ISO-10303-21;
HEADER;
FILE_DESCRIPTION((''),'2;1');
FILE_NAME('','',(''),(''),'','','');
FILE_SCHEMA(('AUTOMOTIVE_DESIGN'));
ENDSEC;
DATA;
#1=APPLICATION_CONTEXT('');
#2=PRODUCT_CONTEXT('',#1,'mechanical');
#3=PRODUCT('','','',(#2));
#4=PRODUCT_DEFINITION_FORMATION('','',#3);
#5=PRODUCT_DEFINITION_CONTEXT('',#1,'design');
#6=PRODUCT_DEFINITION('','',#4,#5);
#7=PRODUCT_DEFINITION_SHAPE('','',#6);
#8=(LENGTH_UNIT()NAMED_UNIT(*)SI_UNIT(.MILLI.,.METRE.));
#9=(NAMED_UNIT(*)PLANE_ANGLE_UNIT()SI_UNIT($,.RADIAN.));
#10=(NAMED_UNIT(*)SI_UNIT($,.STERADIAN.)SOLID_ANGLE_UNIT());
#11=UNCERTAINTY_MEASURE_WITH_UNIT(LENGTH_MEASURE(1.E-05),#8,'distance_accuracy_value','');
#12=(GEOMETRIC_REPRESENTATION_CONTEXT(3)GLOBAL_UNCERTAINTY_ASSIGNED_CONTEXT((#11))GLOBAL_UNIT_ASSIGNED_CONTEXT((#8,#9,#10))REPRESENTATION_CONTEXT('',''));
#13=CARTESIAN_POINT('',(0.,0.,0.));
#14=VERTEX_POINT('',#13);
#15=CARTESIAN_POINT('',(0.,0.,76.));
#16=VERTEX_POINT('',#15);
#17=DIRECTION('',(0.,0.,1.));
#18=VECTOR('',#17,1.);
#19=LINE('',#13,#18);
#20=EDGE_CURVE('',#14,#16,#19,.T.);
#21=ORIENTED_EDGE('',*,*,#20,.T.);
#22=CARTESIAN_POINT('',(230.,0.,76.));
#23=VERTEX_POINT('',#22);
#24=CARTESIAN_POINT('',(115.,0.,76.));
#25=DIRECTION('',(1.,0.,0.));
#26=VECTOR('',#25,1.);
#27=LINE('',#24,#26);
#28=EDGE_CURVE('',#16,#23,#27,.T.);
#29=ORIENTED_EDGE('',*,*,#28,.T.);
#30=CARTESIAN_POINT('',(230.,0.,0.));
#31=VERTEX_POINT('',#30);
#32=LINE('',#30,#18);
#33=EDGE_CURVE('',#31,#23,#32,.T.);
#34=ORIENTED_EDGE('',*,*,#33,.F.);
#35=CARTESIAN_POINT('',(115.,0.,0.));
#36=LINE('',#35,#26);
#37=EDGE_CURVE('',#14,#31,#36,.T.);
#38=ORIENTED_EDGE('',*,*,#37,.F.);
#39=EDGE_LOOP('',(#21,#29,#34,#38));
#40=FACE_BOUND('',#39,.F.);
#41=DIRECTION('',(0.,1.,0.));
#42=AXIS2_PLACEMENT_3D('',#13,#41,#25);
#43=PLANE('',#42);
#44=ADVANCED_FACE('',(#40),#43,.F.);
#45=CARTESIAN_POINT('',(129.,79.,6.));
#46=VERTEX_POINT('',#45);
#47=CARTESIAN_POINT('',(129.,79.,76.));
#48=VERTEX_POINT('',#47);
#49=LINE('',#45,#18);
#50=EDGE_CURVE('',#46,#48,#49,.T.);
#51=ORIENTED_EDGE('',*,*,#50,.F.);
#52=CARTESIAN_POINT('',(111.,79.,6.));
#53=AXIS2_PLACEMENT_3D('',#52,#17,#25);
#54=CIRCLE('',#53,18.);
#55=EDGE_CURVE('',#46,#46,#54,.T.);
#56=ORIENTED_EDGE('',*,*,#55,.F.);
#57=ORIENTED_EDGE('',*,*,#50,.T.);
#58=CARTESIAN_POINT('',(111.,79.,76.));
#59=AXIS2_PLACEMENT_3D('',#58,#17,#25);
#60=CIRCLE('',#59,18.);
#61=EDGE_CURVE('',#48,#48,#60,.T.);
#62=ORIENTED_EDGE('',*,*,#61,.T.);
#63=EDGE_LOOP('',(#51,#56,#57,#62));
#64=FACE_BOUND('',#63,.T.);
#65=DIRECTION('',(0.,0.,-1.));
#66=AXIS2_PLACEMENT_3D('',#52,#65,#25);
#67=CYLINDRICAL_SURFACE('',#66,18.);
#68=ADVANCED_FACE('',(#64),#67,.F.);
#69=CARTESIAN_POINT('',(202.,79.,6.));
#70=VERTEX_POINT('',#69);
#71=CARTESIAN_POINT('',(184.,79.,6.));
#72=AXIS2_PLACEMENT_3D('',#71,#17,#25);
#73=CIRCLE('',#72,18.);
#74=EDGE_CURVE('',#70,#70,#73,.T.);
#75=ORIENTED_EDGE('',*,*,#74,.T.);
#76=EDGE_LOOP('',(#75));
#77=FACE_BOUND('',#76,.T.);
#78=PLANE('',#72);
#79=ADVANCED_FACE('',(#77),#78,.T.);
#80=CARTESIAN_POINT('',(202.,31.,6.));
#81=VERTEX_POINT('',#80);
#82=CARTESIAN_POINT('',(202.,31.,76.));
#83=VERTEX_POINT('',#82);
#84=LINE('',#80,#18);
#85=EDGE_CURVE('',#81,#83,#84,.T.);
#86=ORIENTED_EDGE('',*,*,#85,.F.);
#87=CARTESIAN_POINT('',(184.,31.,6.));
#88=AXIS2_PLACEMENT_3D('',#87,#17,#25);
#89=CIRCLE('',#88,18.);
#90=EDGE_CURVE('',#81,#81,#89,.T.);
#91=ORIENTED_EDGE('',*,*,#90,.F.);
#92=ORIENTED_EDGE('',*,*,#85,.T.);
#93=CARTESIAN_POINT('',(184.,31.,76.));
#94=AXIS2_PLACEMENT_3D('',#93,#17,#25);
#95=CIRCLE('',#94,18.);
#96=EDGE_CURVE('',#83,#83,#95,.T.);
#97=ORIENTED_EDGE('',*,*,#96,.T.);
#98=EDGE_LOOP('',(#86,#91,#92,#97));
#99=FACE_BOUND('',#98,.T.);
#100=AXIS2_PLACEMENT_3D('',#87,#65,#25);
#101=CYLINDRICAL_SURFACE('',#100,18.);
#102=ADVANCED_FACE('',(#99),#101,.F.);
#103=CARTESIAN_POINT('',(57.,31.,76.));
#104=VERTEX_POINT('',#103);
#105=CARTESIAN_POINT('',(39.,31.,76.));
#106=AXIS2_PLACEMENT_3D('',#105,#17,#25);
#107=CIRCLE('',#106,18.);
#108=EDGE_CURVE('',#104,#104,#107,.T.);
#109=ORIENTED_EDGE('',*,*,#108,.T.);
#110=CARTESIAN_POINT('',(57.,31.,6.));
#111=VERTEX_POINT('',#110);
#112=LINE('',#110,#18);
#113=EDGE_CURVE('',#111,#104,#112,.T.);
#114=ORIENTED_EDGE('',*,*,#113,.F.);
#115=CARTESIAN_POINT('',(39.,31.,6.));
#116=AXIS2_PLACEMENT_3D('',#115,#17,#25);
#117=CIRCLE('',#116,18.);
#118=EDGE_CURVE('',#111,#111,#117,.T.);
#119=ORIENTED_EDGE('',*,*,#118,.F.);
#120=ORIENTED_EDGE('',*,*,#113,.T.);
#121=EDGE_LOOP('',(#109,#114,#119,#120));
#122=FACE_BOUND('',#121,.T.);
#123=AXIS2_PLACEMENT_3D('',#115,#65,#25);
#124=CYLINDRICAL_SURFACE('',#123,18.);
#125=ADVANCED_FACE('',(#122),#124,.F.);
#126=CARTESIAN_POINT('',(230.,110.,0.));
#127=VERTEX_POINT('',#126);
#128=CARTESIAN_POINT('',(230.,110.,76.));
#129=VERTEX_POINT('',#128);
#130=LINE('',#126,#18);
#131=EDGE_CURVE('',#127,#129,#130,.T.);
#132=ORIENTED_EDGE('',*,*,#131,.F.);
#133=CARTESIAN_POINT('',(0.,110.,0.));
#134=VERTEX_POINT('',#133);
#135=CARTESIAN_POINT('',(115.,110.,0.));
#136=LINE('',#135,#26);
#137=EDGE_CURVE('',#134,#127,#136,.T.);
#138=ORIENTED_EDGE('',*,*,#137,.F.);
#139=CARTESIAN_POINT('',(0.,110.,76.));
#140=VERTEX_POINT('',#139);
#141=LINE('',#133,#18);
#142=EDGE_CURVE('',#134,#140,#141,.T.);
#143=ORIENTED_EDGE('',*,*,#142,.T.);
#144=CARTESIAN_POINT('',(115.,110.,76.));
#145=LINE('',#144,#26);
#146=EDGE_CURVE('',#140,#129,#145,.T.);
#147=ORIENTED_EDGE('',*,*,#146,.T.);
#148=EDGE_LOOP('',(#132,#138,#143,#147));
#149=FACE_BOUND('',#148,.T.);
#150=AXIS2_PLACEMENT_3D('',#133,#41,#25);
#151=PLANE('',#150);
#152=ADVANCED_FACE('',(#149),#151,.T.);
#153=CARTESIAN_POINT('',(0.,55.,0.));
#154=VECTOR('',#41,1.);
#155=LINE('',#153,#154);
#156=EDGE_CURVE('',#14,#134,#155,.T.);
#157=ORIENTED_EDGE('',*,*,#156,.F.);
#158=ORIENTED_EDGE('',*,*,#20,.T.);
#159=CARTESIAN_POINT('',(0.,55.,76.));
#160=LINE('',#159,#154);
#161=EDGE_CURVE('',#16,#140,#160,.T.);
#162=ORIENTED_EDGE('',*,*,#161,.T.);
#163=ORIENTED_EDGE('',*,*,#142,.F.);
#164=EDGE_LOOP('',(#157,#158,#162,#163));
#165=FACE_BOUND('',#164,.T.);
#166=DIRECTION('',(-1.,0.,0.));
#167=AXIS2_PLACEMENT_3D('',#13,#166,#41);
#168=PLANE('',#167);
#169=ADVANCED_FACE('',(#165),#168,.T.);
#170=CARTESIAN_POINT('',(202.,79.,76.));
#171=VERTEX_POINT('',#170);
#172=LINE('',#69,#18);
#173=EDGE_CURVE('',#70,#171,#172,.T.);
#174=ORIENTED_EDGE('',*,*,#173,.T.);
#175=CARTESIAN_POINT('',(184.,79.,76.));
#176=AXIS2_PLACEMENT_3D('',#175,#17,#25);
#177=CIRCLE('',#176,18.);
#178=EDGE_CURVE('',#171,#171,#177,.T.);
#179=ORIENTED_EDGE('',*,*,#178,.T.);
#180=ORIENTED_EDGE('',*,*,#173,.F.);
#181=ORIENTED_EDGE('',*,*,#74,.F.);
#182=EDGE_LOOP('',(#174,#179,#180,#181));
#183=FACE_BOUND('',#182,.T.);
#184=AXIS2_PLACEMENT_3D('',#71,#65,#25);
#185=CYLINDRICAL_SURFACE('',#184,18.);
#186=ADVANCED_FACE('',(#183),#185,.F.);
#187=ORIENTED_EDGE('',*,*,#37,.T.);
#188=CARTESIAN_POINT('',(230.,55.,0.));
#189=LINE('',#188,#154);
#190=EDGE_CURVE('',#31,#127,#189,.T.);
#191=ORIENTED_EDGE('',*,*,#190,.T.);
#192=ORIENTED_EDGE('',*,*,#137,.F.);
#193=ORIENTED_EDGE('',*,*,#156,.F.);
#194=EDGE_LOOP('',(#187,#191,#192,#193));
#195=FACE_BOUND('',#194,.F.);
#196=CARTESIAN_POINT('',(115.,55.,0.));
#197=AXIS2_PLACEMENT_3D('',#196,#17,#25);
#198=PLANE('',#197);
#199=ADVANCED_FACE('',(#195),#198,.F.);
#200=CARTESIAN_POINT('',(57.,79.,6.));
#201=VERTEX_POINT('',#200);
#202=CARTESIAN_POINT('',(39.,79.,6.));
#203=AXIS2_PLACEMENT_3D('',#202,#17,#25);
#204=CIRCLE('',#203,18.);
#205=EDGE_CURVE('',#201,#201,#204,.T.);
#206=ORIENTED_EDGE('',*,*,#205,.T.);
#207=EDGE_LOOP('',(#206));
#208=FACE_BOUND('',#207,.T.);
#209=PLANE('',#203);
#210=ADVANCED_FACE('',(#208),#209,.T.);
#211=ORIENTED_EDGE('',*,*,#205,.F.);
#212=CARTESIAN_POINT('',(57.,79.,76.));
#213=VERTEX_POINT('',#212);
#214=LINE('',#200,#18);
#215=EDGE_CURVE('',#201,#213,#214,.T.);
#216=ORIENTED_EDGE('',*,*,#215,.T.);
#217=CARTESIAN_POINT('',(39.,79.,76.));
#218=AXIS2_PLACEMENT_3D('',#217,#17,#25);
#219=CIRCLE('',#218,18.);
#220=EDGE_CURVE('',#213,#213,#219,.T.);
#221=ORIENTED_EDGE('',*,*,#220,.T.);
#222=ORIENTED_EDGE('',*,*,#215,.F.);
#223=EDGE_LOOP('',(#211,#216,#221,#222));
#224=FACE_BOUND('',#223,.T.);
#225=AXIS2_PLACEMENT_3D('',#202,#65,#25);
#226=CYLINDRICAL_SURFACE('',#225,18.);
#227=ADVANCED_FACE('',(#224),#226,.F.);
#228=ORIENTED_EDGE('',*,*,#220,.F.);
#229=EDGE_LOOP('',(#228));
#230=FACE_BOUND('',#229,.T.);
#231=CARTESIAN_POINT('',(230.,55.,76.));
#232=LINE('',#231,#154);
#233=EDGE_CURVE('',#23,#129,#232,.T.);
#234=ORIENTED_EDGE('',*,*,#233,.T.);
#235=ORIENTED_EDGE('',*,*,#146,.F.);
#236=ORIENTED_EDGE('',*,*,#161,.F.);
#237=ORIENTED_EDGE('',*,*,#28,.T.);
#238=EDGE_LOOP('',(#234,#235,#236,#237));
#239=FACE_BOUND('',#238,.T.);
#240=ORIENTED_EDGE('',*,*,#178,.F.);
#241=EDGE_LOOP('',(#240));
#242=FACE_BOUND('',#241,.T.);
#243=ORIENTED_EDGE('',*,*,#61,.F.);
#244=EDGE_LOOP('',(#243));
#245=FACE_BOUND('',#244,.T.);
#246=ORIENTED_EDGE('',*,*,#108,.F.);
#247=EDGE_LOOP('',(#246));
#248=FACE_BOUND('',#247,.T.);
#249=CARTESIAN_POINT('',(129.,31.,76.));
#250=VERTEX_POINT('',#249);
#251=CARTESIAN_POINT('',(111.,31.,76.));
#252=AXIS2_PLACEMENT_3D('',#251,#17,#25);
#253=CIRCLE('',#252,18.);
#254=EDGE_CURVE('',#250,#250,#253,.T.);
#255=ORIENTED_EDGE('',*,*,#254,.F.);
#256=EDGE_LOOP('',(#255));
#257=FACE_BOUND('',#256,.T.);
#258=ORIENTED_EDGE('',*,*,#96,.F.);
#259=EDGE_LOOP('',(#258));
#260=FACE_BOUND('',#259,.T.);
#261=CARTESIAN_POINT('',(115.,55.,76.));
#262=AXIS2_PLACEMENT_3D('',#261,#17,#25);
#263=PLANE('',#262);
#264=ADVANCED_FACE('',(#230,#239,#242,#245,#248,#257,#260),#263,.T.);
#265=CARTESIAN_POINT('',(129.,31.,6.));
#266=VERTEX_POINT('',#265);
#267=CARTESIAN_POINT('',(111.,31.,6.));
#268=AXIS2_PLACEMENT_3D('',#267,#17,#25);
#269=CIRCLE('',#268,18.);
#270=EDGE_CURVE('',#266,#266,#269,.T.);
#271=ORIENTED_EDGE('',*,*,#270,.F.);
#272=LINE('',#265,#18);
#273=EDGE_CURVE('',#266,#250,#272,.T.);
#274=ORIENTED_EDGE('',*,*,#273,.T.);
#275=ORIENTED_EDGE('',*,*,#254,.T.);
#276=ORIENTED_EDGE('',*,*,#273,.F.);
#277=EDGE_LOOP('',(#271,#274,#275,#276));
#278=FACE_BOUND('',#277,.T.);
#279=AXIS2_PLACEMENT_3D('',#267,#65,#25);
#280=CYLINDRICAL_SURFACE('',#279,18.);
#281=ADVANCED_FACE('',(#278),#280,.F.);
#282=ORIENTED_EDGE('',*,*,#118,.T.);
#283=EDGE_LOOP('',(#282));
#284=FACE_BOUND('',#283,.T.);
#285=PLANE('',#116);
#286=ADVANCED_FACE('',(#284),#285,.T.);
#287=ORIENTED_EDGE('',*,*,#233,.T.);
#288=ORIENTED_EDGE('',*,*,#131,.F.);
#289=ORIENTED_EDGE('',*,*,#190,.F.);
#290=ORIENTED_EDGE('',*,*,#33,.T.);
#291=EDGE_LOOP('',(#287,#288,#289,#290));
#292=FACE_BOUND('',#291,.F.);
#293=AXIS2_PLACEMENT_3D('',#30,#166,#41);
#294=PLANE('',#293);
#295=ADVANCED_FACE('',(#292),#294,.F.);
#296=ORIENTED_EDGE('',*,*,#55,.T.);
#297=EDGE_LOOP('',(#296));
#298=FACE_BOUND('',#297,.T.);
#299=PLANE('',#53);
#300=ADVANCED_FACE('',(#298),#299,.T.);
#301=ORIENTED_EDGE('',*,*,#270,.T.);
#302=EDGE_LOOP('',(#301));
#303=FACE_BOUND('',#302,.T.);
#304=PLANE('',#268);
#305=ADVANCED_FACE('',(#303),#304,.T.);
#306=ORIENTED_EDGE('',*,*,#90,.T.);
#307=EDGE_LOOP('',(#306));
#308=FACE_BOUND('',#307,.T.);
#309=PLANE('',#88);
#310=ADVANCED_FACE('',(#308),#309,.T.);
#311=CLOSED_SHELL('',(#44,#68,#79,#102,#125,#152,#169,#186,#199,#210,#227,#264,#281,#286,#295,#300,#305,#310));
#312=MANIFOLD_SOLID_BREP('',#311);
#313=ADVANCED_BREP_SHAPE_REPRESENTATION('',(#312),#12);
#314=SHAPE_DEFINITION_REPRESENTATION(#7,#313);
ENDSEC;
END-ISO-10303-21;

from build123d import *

# Parameters (mm, degrees)
CYLINDER001_R     = 18
CYLINDER001_DEPTH = 70
CYLINDER_R        = 18
CYLINDER_DEPTH    = 70
CYLINDER005_R     = 18
CYLINDER005_DEPTH = 70
CYLINDER004_R     = 18
CYLINDER004_DEPTH = 70
CYLINDER003_R     = 18
CYLINDER003_DEPTH = 70
CYLINDER002_R     = 18
CYLINDER002_DEPTH = 70
BOX_W             = 230
BOX_H             = 110
BOX_DEPTH         = 76


with BuildPart() as cylinder001:
    # Cylinder001 → Cylinder001 (new body)
    with BuildSketch(Plane(origin=(39, 79, 6), x_dir=(1, 0, 0), z_dir=(0, 0, 1))):
        Circle(CYLINDER001_R)
    extrude(amount=CYLINDER001_DEPTH)


with BuildPart() as fusion:
    # Cylinder → Cylinder (new body)
    with BuildSketch(Plane(origin=(39, 31, 6), x_dir=(1, 0, 0), z_dir=(0, 0, 1))):
        Circle(CYLINDER_R)
    extrude(amount=CYLINDER_DEPTH)

    # Fusion: union Cylinder001
    add(cylinder001.part)


with BuildPart() as cylinder005:
    # Cylinder005 → Cylinder005 (new body)
    with BuildSketch(Plane(origin=(39, 79, 6), x_dir=(1, 0, 0), z_dir=(0, 0, 1))):
        Circle(CYLINDER005_R)
    extrude(amount=CYLINDER005_DEPTH)


with BuildPart() as fusion002:
    # Cylinder004 → Cylinder004 (new body)
    with BuildSketch(Plane(origin=(39, 31, 6), x_dir=(1, 0, 0), z_dir=(0, 0, 1))):
        Circle(CYLINDER004_R)
    extrude(amount=CYLINDER004_DEPTH)

    # Fusion002: union Cylinder005
    add(cylinder005.part)


with BuildPart() as fusion002_1:
    # Fusion002 placement: moved
    add(fusion002.part.moved(Location((145, 0, 0))))


with BuildPart() as cylinder003:
    # Cylinder003 → Cylinder003 (new body)
    with BuildSketch(Plane(origin=(39, 79, 6), x_dir=(1, 0, 0), z_dir=(0, 0, 1))):
        Circle(CYLINDER003_R)
    extrude(amount=CYLINDER003_DEPTH)


with BuildPart() as fusion003:
    # Cylinder002 → Cylinder002 (new body)
    with BuildSketch(Plane(origin=(39, 31, 6), x_dir=(1, 0, 0), z_dir=(0, 0, 1))):
        Circle(CYLINDER002_R)
    extrude(amount=CYLINDER002_DEPTH)

    # Fusion001: union Cylinder003
    add(cylinder003.part)


with BuildPart() as fusion003_1:
    # Fusion001 placement: moved
    add(fusion003.part.moved(Location((72, 0, 0))))

    # Fusion003: union Fusion, Fusion002
    add(fusion.part)
    add(fusion002_1.part)


with BuildPart() as cut:
    # Box → Box (new body)
    with BuildSketch(Plane.XY):
        with Locations((115, 55)):
            Rectangle(BOX_W, BOX_H)
    extrude(amount=BOX_DEPTH)

    # Cut: cut Fusion003
    add(fusion003_1.part, mode=Mode.SUBTRACT)


solid = cut.part
